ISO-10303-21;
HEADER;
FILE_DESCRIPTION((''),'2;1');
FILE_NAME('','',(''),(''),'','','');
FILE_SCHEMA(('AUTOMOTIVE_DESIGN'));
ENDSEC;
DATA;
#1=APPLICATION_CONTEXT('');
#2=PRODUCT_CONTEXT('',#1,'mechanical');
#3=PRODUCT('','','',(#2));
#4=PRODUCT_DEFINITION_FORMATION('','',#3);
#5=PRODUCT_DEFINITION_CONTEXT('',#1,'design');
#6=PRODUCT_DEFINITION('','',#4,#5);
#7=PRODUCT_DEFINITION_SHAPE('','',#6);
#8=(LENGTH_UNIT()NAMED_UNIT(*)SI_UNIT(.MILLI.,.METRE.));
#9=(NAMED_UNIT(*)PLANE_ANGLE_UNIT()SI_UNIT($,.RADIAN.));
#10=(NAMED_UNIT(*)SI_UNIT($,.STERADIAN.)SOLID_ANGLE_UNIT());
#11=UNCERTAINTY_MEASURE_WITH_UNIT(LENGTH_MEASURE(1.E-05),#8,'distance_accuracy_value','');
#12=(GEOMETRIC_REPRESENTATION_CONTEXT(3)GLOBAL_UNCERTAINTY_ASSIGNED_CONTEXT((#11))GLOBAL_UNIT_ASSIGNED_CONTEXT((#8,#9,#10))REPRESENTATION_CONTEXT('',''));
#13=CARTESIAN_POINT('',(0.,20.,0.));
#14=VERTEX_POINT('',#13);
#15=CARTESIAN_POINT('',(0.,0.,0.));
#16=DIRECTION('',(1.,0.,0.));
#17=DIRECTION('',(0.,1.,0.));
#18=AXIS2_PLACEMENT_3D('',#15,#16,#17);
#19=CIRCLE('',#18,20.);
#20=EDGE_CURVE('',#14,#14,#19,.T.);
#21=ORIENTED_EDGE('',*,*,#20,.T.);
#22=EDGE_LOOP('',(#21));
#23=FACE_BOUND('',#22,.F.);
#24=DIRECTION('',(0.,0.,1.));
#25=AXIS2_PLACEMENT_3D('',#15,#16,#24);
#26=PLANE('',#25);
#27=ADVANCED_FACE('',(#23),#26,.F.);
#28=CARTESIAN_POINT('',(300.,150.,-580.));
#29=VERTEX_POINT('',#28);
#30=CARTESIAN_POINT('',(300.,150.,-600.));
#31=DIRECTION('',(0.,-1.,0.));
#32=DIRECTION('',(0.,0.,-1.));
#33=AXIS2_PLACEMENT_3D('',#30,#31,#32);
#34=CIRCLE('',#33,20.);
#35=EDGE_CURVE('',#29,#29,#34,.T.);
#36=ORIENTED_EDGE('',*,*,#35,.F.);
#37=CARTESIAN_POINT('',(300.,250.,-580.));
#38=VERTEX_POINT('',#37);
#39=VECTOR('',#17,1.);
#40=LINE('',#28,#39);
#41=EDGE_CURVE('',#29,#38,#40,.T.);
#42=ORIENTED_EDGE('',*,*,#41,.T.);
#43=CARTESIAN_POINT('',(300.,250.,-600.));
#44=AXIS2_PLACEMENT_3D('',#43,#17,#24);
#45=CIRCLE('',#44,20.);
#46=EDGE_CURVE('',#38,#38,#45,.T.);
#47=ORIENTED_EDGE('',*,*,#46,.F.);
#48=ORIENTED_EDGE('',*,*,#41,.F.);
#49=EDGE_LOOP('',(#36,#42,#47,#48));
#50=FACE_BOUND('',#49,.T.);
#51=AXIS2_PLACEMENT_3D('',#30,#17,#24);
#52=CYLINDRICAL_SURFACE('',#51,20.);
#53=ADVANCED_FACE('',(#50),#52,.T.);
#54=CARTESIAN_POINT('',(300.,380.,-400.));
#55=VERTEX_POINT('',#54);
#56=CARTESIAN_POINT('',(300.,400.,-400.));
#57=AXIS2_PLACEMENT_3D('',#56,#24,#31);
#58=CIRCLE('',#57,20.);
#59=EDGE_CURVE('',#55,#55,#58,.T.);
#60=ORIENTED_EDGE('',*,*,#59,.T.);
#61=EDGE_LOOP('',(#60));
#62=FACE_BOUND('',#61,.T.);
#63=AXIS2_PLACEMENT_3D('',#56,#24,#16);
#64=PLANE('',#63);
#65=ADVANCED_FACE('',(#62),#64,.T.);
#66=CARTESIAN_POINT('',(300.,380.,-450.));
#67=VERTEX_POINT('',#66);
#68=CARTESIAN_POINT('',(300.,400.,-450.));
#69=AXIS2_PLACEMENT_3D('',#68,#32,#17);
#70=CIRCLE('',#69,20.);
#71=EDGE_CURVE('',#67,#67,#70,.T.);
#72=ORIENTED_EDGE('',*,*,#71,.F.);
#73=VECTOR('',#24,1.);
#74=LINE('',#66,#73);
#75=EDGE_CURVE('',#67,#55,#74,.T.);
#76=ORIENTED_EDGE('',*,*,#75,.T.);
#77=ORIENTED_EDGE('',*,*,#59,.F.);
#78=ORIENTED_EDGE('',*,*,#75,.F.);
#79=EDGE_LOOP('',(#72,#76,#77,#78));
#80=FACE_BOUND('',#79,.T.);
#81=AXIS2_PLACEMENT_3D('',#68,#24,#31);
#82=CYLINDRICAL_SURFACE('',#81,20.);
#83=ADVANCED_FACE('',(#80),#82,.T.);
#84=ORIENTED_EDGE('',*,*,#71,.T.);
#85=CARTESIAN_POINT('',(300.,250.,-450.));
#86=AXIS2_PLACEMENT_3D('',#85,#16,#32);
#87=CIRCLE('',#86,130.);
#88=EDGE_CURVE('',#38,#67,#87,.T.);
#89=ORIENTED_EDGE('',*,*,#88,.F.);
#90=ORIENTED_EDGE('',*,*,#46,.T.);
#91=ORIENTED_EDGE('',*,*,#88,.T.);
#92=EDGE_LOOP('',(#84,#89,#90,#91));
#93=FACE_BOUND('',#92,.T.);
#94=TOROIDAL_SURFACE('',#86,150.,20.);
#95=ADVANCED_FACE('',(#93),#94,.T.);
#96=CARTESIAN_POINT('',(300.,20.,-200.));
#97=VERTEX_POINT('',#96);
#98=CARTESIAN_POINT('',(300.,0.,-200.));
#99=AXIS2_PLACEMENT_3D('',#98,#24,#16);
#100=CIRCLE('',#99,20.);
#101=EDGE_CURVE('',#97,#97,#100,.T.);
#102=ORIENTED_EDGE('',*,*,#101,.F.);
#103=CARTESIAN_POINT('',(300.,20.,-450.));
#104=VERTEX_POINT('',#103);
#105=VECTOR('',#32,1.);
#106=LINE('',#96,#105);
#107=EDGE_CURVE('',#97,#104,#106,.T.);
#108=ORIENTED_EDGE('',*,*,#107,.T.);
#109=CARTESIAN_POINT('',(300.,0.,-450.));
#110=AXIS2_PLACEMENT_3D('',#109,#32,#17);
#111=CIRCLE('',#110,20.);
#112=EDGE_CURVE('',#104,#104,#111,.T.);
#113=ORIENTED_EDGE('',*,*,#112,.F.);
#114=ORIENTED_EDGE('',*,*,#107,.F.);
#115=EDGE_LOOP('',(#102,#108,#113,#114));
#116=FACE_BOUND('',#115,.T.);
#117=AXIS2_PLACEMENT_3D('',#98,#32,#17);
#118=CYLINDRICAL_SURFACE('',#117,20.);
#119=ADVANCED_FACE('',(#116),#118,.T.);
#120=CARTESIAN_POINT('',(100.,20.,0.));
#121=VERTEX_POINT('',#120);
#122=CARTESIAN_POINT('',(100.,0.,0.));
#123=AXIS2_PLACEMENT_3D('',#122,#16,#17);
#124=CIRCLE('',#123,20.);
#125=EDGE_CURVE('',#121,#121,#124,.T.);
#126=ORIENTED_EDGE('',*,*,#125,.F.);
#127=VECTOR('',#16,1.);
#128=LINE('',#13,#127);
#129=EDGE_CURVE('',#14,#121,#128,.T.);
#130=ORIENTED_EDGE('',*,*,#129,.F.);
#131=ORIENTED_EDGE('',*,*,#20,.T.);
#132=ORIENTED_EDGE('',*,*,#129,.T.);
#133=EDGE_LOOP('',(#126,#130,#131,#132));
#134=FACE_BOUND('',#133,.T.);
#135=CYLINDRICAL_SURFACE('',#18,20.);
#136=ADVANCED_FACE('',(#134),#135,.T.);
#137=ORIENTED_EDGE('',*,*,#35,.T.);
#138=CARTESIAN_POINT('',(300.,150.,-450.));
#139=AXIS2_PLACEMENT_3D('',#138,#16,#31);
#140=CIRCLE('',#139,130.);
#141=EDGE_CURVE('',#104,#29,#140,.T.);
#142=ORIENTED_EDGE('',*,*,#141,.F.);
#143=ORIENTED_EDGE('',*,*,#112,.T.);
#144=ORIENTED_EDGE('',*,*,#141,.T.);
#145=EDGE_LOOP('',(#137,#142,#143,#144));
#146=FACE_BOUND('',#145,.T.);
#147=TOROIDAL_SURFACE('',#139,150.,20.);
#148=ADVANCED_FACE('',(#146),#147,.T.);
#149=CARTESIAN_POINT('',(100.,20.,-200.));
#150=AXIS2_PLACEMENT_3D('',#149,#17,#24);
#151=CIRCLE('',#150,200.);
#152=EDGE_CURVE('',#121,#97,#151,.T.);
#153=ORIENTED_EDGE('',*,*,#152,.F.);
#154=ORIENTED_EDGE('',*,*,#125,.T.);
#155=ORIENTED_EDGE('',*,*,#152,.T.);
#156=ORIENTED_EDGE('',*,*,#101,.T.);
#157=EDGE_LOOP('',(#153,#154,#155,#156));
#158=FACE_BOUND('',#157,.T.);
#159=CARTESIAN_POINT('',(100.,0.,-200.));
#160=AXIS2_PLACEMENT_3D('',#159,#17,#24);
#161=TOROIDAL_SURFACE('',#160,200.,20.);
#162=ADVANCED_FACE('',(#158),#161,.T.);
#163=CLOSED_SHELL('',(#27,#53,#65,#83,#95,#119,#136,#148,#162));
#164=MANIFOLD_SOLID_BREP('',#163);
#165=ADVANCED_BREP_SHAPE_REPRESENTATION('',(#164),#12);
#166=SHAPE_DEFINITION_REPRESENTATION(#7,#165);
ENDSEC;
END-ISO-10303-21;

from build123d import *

# Parameters (mm, degrees)
F3_R = 20


with BuildPart() as f4:
    # F4: sweep along a path in F0, F2
    with BuildLine(Plane.XZ) as f4_path:
        Line((0, 0), (100, 0))
        ThreePointArc((100, 0), (241.4213562373, -58.5786437627), (300, -200))
    with BuildLine(Plane.YZ.offset(300)) as f4_path_2:
        Line((0, -200), (0, -450))
        ThreePointArc((0, -450), (43.933982822, -556.066017178), (150, -600))
        Line((150, -600), (250, -600))
        ThreePointArc((250, -600), (356.066017178, -556.066017178), (400, -450))
        Line((400, -450), (400, -400))
    # F3 (on Right) → F4 (sweep)
    with BuildSketch(Plane.YZ):
        Circle(F3_R)
    sweep(path=f4_path.line + f4_path_2.line)


solid = f4.part
